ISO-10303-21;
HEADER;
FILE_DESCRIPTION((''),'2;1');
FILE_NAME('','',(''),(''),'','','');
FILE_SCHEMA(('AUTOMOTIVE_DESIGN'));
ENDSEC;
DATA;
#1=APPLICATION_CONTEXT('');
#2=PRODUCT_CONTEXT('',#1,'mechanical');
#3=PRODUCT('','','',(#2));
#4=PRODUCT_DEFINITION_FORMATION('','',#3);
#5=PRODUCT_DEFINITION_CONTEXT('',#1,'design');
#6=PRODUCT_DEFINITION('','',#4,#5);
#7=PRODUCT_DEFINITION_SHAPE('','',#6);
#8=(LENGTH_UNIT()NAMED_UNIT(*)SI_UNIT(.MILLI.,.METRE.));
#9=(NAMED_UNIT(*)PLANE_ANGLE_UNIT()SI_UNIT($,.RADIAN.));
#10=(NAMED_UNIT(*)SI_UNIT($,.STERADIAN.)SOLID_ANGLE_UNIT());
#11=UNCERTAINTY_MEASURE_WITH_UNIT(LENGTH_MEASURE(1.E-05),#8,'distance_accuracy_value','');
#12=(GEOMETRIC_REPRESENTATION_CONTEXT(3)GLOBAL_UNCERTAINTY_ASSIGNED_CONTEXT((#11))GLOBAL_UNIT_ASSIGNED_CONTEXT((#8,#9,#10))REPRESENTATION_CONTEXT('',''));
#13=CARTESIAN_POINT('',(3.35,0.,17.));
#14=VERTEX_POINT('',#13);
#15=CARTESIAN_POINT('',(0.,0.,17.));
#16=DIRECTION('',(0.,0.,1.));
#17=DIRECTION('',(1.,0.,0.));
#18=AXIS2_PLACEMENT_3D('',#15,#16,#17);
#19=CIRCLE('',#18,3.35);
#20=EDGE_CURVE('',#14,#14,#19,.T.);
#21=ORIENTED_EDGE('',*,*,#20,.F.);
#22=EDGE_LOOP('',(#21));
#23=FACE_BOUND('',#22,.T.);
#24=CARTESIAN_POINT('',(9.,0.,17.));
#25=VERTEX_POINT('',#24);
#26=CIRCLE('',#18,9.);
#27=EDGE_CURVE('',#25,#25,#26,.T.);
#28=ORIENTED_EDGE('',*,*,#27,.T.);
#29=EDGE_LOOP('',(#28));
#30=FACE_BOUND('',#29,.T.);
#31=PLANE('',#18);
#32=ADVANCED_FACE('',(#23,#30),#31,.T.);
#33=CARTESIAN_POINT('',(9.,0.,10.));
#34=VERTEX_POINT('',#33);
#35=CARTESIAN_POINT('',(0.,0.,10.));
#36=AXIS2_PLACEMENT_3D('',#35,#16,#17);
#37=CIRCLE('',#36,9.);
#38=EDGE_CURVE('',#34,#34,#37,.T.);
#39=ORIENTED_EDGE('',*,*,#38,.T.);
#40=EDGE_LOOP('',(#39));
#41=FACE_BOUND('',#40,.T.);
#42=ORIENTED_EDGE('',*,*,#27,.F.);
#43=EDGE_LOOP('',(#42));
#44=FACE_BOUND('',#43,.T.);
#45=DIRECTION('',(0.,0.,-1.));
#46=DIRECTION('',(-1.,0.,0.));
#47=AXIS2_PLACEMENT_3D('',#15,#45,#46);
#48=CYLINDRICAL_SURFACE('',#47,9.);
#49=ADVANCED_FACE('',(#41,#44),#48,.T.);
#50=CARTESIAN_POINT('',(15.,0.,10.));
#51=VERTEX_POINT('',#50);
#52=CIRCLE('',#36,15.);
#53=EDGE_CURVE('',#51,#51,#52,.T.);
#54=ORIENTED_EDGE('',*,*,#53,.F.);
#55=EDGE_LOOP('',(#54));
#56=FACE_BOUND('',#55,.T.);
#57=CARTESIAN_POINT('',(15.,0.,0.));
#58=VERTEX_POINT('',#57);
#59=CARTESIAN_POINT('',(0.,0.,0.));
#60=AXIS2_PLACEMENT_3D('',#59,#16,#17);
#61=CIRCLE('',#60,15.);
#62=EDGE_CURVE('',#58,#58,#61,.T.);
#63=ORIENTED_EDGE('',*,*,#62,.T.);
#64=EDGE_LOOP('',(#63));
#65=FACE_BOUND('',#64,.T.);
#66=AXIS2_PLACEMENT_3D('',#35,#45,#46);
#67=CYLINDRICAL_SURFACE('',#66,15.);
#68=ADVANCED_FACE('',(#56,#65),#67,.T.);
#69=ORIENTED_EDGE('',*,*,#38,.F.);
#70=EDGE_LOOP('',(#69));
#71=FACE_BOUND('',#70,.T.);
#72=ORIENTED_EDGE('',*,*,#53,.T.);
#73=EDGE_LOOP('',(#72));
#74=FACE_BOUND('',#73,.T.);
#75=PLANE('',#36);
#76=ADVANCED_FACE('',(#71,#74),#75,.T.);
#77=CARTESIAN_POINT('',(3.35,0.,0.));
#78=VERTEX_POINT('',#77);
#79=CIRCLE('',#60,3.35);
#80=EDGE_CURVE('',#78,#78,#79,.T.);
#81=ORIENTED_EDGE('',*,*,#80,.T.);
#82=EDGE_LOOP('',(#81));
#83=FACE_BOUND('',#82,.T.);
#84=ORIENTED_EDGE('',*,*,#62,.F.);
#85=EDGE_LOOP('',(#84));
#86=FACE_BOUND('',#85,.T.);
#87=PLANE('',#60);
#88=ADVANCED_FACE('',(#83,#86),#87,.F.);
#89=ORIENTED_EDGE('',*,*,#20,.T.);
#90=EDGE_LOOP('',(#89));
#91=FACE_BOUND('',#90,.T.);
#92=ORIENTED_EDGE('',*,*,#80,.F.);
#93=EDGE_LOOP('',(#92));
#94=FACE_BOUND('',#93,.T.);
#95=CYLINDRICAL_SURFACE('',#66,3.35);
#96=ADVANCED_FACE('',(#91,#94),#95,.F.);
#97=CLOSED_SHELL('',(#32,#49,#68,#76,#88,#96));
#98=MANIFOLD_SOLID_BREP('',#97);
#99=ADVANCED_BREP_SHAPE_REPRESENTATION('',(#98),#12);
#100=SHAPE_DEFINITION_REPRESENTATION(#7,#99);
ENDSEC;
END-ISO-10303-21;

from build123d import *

# Parameters (mm, degrees)
ESBO_O1_R                = 15
ESBO_O1_R_2              = 3.35
RESSALTO_EXTRUS_O1_DEPTH = 10
ESBO_O2_R                = 9
ESBO_O2_R_2              = 3.35
RESSALTO_EXTRUS_O2_DEPTH = 7


with BuildPart() as part:
    # Esboço1 → Ressalto-extrusão1 (new body)
    with BuildSketch(Plane.XY):
        Circle(ESBO_O1_R)
        Circle(ESBO_O1_R_2, mode=Mode.SUBTRACT)
    extrude(amount=RESSALTO_EXTRUS_O1_DEPTH)

    # Esboço2 → Ressalto-extrusão2 (add)
    with BuildSketch(Plane.XY.offset(10)):
        Circle(ESBO_O2_R)
        Circle(ESBO_O2_R_2, mode=Mode.SUBTRACT)
    extrude(amount=RESSALTO_EXTRUS_O2_DEPTH)


solid = part.part
